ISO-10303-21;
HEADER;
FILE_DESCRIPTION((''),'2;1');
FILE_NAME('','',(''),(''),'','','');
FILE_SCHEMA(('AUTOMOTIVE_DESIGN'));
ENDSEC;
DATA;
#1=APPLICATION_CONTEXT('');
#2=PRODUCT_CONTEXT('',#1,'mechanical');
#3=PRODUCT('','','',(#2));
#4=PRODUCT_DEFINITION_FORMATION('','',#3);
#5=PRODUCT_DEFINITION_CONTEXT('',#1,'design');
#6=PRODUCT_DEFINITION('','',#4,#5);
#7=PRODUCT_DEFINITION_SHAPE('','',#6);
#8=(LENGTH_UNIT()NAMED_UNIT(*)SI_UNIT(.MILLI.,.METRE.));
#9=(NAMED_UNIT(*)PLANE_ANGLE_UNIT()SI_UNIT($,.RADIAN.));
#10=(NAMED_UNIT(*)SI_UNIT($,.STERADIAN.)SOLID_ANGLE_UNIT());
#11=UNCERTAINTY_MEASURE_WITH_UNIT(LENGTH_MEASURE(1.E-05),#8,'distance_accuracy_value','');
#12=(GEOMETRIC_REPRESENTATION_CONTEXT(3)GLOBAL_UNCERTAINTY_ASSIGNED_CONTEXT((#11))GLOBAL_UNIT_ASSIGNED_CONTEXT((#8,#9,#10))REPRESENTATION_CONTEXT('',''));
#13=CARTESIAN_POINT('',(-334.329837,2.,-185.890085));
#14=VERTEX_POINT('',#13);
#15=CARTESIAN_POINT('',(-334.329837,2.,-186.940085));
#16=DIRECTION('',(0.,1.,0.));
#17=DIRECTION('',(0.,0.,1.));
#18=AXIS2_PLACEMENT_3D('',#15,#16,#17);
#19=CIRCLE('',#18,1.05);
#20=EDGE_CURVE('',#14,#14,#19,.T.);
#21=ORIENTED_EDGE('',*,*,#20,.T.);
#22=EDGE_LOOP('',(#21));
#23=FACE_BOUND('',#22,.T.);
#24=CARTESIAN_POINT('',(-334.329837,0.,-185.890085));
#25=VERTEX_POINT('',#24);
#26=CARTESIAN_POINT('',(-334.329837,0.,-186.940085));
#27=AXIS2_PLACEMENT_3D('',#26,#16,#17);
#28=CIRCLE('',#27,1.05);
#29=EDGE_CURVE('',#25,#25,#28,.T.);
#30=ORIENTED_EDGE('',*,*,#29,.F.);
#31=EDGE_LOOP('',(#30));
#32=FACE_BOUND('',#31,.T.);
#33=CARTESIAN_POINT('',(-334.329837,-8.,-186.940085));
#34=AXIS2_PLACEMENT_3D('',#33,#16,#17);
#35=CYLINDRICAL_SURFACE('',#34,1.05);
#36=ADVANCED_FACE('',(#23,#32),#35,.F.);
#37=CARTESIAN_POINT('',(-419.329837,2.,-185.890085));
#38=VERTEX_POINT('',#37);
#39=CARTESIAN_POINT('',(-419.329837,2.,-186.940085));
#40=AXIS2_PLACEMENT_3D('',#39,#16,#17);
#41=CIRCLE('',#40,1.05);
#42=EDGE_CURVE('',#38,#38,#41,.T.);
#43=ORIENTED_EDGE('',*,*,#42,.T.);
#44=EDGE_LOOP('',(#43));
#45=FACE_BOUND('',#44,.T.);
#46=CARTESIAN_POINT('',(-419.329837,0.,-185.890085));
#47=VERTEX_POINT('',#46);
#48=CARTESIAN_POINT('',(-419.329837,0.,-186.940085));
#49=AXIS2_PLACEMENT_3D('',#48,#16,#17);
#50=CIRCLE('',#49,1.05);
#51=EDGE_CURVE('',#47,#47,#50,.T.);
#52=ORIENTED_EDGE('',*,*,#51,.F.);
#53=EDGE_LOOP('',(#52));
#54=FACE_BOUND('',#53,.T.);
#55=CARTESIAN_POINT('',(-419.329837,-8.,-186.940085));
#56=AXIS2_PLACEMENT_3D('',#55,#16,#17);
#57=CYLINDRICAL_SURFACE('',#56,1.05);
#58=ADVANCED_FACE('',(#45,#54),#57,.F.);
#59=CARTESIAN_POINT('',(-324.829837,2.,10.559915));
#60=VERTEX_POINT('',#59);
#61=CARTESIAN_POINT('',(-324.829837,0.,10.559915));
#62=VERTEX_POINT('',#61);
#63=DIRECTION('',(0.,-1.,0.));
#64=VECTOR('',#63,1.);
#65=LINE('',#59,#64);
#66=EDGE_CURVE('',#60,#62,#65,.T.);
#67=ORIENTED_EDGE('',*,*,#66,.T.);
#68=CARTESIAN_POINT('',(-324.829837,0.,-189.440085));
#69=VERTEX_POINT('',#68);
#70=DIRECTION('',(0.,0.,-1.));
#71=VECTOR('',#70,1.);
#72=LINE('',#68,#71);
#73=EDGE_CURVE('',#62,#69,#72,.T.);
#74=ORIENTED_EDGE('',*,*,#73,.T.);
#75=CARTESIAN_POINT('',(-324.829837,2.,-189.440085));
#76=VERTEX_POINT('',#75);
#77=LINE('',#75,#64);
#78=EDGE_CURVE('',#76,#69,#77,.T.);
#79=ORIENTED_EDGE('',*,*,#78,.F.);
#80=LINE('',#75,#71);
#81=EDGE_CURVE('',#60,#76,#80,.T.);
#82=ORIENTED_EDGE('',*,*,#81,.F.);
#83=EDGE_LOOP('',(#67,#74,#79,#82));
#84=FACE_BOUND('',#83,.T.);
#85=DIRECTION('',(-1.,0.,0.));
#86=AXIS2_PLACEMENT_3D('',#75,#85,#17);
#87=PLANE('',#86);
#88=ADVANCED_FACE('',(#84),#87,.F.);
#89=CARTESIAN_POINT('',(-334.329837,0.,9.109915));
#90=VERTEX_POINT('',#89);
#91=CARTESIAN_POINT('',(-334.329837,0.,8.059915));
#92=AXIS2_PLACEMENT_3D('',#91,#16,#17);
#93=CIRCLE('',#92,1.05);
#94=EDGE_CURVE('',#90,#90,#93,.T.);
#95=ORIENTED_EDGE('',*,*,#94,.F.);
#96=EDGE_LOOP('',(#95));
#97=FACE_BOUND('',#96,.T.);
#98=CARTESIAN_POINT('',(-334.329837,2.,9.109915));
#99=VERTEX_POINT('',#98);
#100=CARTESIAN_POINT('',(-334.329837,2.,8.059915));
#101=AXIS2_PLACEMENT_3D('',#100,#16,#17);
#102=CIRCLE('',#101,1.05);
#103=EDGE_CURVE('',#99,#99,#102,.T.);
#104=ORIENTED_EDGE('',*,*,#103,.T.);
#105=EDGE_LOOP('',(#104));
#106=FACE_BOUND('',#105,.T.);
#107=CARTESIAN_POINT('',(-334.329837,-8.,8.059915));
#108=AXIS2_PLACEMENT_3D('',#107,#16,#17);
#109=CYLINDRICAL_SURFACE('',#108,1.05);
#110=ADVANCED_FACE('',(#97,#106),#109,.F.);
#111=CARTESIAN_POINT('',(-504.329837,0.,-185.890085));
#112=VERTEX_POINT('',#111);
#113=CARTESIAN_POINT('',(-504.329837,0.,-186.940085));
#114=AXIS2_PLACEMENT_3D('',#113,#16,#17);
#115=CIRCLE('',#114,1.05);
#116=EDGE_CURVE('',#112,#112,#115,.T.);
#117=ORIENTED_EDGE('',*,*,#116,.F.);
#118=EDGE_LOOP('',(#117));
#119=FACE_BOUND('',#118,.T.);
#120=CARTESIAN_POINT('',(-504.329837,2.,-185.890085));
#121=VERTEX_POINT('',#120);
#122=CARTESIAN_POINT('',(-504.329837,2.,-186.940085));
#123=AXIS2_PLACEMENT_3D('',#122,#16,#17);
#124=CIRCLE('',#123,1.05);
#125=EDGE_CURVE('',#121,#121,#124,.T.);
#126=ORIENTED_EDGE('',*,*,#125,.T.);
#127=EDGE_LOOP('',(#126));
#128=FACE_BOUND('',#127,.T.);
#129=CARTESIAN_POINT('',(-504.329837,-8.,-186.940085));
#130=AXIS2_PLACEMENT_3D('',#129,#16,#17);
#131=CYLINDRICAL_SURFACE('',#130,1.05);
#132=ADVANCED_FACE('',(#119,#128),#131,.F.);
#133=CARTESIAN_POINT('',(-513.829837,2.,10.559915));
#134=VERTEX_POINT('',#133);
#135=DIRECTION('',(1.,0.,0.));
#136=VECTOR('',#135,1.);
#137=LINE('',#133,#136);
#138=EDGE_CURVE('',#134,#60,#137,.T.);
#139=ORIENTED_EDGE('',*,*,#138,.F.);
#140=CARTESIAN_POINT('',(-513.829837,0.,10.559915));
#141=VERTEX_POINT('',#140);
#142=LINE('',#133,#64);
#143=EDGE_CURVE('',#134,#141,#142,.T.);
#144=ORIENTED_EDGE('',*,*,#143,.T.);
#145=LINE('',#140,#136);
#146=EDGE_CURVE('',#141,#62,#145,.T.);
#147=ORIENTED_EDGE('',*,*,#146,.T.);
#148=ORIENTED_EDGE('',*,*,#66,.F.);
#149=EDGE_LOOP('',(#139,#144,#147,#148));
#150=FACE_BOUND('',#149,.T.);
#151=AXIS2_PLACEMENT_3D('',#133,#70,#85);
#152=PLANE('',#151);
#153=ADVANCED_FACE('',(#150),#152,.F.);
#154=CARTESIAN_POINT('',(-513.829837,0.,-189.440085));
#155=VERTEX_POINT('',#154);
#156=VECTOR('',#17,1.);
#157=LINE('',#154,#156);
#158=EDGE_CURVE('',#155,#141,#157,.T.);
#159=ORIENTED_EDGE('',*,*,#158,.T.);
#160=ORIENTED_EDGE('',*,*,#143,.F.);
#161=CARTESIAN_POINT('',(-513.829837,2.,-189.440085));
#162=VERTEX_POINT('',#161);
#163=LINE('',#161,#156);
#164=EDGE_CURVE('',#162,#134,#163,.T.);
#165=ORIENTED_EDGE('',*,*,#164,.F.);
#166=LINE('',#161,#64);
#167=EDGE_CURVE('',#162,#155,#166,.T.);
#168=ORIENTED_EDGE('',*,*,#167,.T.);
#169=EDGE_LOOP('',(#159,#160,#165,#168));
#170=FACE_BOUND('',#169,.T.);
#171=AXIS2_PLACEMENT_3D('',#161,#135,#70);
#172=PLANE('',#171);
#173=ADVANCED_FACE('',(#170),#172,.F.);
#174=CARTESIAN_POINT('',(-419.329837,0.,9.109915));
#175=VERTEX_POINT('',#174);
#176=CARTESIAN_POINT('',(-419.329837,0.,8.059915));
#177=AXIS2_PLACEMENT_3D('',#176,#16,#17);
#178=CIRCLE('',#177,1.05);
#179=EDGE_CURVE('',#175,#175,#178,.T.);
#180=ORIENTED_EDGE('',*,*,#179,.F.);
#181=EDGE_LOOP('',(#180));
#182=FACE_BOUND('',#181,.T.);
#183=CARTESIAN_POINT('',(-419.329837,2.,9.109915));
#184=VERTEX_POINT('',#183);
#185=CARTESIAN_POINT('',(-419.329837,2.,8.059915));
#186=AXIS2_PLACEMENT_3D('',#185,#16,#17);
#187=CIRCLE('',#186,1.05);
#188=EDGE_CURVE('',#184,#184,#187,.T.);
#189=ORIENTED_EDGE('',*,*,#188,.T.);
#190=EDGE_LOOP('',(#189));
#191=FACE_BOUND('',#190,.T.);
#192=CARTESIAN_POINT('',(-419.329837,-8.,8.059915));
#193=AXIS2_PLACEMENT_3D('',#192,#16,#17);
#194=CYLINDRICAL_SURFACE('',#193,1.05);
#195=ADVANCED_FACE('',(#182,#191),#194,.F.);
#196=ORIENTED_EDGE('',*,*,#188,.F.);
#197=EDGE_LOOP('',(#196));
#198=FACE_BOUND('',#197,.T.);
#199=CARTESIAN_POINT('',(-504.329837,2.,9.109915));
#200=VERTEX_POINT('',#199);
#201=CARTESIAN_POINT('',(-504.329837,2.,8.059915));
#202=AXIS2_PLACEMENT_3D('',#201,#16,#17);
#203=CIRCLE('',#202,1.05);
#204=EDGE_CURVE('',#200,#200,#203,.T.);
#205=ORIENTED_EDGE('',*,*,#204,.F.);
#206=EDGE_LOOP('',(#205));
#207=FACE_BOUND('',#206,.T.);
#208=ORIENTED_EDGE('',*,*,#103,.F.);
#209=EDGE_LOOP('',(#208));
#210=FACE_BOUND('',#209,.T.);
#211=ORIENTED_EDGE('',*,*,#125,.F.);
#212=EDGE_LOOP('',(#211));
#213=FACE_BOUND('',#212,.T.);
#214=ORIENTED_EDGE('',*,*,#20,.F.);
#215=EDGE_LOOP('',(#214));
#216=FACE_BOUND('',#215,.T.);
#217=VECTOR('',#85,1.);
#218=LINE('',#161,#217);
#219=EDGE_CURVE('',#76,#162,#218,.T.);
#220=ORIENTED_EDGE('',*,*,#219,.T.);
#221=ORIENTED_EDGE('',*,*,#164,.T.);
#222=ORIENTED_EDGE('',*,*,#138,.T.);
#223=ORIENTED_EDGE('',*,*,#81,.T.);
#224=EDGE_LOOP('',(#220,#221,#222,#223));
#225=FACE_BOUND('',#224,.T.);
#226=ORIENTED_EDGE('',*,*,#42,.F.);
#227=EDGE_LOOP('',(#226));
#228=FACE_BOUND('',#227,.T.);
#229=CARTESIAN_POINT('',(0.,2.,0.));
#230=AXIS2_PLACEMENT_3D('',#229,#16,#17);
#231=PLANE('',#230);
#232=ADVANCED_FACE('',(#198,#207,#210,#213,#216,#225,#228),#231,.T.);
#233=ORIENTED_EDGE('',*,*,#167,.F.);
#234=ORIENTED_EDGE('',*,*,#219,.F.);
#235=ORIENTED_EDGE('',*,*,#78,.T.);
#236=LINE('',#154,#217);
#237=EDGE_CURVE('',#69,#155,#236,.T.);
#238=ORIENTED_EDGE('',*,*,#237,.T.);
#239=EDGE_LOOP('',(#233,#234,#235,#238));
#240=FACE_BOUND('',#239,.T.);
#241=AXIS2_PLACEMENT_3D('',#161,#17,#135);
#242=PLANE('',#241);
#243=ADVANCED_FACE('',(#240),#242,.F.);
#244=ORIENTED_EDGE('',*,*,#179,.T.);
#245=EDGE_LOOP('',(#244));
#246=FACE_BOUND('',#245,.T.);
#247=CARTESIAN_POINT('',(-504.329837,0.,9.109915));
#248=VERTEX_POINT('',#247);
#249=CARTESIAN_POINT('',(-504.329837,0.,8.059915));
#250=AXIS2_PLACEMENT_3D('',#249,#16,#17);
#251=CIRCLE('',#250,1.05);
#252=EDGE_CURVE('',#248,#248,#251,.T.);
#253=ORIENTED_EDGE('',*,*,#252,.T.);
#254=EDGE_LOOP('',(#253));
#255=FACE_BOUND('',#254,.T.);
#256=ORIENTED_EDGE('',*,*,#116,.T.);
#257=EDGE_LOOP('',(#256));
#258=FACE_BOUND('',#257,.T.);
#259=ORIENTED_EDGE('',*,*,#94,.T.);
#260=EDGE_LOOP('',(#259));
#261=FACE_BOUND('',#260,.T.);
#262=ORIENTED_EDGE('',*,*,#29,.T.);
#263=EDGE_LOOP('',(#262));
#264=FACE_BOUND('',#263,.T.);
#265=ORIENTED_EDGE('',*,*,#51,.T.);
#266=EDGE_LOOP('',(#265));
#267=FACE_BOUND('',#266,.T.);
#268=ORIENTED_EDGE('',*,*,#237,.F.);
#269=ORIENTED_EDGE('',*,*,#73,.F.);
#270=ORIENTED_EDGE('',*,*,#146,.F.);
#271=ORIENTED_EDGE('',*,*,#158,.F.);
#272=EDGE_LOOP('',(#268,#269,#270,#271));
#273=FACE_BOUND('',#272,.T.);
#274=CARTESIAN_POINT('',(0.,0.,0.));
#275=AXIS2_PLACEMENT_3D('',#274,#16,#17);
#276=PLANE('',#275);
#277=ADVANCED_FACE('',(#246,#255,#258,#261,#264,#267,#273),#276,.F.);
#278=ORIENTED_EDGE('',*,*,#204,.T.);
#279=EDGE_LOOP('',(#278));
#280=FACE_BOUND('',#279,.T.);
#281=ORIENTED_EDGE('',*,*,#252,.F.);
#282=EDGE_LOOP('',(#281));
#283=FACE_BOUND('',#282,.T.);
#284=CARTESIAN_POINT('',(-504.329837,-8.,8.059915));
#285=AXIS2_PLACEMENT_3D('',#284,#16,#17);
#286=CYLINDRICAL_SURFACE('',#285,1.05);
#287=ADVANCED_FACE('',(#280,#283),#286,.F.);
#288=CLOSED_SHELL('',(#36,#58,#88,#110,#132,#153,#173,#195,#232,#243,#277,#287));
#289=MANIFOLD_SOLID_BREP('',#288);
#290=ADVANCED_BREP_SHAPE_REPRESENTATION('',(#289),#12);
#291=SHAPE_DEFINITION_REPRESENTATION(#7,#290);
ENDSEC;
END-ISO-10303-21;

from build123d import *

# Parameters (mm, degrees)
SKETCH_1_W                  = 189
SKETCH_1_H                  = 200
EXTRUDE_1_DEPTH             = 2
SKETCH_2_R                  = 1.05
CUT_EXTRUDE_1_DEPTH         = 10
PATTERN_LINEAR_1_COUNT      = 2
PATTERN_LINEAR_1_PITCH      = 195
PATTERN_LINEAR_1_COUNT_DIR2 = 3
PATTERN_LINEAR_1_PITCH_DIR2 = 85


with BuildPart() as part:
    # 草图1 → 凸台-拉伸1 (new body)
    with BuildSketch(Plane(origin=(0, 0, 0), x_dir=(1, 0, 0), z_dir=(0, 1, 0))):
        with Locations((-419.32983733, 89.440084541)):
            Rectangle(SKETCH_1_W, SKETCH_1_H)
    extrude(amount=EXTRUDE_1_DEPTH)

    # 草图2 → 切除-拉伸1 (cut)
    with BuildSketch(Plane(origin=(0, 2, 0), x_dir=(1, 0, 0), z_dir=(0, 1, 0))):
        with Locations((-504.32983733, -8.059915459)):
            Circle(SKETCH_2_R)
    cut_extrude_1 = extrude(amount=-CUT_EXTRUDE_1_DEPTH, mode=Mode.SUBTRACT)

    # 阵列(线性)1: Cut-Extrude 1 2 × 3
    with Locations(*[(j * PATTERN_LINEAR_1_PITCH_DIR2, 0, -i * PATTERN_LINEAR_1_PITCH) for i in range(PATTERN_LINEAR_1_COUNT) for j in range(PATTERN_LINEAR_1_COUNT_DIR2) if (i, j) != (0, 0)]):
        add(cut_extrude_1, mode=Mode.SUBTRACT)


solid = part.part
